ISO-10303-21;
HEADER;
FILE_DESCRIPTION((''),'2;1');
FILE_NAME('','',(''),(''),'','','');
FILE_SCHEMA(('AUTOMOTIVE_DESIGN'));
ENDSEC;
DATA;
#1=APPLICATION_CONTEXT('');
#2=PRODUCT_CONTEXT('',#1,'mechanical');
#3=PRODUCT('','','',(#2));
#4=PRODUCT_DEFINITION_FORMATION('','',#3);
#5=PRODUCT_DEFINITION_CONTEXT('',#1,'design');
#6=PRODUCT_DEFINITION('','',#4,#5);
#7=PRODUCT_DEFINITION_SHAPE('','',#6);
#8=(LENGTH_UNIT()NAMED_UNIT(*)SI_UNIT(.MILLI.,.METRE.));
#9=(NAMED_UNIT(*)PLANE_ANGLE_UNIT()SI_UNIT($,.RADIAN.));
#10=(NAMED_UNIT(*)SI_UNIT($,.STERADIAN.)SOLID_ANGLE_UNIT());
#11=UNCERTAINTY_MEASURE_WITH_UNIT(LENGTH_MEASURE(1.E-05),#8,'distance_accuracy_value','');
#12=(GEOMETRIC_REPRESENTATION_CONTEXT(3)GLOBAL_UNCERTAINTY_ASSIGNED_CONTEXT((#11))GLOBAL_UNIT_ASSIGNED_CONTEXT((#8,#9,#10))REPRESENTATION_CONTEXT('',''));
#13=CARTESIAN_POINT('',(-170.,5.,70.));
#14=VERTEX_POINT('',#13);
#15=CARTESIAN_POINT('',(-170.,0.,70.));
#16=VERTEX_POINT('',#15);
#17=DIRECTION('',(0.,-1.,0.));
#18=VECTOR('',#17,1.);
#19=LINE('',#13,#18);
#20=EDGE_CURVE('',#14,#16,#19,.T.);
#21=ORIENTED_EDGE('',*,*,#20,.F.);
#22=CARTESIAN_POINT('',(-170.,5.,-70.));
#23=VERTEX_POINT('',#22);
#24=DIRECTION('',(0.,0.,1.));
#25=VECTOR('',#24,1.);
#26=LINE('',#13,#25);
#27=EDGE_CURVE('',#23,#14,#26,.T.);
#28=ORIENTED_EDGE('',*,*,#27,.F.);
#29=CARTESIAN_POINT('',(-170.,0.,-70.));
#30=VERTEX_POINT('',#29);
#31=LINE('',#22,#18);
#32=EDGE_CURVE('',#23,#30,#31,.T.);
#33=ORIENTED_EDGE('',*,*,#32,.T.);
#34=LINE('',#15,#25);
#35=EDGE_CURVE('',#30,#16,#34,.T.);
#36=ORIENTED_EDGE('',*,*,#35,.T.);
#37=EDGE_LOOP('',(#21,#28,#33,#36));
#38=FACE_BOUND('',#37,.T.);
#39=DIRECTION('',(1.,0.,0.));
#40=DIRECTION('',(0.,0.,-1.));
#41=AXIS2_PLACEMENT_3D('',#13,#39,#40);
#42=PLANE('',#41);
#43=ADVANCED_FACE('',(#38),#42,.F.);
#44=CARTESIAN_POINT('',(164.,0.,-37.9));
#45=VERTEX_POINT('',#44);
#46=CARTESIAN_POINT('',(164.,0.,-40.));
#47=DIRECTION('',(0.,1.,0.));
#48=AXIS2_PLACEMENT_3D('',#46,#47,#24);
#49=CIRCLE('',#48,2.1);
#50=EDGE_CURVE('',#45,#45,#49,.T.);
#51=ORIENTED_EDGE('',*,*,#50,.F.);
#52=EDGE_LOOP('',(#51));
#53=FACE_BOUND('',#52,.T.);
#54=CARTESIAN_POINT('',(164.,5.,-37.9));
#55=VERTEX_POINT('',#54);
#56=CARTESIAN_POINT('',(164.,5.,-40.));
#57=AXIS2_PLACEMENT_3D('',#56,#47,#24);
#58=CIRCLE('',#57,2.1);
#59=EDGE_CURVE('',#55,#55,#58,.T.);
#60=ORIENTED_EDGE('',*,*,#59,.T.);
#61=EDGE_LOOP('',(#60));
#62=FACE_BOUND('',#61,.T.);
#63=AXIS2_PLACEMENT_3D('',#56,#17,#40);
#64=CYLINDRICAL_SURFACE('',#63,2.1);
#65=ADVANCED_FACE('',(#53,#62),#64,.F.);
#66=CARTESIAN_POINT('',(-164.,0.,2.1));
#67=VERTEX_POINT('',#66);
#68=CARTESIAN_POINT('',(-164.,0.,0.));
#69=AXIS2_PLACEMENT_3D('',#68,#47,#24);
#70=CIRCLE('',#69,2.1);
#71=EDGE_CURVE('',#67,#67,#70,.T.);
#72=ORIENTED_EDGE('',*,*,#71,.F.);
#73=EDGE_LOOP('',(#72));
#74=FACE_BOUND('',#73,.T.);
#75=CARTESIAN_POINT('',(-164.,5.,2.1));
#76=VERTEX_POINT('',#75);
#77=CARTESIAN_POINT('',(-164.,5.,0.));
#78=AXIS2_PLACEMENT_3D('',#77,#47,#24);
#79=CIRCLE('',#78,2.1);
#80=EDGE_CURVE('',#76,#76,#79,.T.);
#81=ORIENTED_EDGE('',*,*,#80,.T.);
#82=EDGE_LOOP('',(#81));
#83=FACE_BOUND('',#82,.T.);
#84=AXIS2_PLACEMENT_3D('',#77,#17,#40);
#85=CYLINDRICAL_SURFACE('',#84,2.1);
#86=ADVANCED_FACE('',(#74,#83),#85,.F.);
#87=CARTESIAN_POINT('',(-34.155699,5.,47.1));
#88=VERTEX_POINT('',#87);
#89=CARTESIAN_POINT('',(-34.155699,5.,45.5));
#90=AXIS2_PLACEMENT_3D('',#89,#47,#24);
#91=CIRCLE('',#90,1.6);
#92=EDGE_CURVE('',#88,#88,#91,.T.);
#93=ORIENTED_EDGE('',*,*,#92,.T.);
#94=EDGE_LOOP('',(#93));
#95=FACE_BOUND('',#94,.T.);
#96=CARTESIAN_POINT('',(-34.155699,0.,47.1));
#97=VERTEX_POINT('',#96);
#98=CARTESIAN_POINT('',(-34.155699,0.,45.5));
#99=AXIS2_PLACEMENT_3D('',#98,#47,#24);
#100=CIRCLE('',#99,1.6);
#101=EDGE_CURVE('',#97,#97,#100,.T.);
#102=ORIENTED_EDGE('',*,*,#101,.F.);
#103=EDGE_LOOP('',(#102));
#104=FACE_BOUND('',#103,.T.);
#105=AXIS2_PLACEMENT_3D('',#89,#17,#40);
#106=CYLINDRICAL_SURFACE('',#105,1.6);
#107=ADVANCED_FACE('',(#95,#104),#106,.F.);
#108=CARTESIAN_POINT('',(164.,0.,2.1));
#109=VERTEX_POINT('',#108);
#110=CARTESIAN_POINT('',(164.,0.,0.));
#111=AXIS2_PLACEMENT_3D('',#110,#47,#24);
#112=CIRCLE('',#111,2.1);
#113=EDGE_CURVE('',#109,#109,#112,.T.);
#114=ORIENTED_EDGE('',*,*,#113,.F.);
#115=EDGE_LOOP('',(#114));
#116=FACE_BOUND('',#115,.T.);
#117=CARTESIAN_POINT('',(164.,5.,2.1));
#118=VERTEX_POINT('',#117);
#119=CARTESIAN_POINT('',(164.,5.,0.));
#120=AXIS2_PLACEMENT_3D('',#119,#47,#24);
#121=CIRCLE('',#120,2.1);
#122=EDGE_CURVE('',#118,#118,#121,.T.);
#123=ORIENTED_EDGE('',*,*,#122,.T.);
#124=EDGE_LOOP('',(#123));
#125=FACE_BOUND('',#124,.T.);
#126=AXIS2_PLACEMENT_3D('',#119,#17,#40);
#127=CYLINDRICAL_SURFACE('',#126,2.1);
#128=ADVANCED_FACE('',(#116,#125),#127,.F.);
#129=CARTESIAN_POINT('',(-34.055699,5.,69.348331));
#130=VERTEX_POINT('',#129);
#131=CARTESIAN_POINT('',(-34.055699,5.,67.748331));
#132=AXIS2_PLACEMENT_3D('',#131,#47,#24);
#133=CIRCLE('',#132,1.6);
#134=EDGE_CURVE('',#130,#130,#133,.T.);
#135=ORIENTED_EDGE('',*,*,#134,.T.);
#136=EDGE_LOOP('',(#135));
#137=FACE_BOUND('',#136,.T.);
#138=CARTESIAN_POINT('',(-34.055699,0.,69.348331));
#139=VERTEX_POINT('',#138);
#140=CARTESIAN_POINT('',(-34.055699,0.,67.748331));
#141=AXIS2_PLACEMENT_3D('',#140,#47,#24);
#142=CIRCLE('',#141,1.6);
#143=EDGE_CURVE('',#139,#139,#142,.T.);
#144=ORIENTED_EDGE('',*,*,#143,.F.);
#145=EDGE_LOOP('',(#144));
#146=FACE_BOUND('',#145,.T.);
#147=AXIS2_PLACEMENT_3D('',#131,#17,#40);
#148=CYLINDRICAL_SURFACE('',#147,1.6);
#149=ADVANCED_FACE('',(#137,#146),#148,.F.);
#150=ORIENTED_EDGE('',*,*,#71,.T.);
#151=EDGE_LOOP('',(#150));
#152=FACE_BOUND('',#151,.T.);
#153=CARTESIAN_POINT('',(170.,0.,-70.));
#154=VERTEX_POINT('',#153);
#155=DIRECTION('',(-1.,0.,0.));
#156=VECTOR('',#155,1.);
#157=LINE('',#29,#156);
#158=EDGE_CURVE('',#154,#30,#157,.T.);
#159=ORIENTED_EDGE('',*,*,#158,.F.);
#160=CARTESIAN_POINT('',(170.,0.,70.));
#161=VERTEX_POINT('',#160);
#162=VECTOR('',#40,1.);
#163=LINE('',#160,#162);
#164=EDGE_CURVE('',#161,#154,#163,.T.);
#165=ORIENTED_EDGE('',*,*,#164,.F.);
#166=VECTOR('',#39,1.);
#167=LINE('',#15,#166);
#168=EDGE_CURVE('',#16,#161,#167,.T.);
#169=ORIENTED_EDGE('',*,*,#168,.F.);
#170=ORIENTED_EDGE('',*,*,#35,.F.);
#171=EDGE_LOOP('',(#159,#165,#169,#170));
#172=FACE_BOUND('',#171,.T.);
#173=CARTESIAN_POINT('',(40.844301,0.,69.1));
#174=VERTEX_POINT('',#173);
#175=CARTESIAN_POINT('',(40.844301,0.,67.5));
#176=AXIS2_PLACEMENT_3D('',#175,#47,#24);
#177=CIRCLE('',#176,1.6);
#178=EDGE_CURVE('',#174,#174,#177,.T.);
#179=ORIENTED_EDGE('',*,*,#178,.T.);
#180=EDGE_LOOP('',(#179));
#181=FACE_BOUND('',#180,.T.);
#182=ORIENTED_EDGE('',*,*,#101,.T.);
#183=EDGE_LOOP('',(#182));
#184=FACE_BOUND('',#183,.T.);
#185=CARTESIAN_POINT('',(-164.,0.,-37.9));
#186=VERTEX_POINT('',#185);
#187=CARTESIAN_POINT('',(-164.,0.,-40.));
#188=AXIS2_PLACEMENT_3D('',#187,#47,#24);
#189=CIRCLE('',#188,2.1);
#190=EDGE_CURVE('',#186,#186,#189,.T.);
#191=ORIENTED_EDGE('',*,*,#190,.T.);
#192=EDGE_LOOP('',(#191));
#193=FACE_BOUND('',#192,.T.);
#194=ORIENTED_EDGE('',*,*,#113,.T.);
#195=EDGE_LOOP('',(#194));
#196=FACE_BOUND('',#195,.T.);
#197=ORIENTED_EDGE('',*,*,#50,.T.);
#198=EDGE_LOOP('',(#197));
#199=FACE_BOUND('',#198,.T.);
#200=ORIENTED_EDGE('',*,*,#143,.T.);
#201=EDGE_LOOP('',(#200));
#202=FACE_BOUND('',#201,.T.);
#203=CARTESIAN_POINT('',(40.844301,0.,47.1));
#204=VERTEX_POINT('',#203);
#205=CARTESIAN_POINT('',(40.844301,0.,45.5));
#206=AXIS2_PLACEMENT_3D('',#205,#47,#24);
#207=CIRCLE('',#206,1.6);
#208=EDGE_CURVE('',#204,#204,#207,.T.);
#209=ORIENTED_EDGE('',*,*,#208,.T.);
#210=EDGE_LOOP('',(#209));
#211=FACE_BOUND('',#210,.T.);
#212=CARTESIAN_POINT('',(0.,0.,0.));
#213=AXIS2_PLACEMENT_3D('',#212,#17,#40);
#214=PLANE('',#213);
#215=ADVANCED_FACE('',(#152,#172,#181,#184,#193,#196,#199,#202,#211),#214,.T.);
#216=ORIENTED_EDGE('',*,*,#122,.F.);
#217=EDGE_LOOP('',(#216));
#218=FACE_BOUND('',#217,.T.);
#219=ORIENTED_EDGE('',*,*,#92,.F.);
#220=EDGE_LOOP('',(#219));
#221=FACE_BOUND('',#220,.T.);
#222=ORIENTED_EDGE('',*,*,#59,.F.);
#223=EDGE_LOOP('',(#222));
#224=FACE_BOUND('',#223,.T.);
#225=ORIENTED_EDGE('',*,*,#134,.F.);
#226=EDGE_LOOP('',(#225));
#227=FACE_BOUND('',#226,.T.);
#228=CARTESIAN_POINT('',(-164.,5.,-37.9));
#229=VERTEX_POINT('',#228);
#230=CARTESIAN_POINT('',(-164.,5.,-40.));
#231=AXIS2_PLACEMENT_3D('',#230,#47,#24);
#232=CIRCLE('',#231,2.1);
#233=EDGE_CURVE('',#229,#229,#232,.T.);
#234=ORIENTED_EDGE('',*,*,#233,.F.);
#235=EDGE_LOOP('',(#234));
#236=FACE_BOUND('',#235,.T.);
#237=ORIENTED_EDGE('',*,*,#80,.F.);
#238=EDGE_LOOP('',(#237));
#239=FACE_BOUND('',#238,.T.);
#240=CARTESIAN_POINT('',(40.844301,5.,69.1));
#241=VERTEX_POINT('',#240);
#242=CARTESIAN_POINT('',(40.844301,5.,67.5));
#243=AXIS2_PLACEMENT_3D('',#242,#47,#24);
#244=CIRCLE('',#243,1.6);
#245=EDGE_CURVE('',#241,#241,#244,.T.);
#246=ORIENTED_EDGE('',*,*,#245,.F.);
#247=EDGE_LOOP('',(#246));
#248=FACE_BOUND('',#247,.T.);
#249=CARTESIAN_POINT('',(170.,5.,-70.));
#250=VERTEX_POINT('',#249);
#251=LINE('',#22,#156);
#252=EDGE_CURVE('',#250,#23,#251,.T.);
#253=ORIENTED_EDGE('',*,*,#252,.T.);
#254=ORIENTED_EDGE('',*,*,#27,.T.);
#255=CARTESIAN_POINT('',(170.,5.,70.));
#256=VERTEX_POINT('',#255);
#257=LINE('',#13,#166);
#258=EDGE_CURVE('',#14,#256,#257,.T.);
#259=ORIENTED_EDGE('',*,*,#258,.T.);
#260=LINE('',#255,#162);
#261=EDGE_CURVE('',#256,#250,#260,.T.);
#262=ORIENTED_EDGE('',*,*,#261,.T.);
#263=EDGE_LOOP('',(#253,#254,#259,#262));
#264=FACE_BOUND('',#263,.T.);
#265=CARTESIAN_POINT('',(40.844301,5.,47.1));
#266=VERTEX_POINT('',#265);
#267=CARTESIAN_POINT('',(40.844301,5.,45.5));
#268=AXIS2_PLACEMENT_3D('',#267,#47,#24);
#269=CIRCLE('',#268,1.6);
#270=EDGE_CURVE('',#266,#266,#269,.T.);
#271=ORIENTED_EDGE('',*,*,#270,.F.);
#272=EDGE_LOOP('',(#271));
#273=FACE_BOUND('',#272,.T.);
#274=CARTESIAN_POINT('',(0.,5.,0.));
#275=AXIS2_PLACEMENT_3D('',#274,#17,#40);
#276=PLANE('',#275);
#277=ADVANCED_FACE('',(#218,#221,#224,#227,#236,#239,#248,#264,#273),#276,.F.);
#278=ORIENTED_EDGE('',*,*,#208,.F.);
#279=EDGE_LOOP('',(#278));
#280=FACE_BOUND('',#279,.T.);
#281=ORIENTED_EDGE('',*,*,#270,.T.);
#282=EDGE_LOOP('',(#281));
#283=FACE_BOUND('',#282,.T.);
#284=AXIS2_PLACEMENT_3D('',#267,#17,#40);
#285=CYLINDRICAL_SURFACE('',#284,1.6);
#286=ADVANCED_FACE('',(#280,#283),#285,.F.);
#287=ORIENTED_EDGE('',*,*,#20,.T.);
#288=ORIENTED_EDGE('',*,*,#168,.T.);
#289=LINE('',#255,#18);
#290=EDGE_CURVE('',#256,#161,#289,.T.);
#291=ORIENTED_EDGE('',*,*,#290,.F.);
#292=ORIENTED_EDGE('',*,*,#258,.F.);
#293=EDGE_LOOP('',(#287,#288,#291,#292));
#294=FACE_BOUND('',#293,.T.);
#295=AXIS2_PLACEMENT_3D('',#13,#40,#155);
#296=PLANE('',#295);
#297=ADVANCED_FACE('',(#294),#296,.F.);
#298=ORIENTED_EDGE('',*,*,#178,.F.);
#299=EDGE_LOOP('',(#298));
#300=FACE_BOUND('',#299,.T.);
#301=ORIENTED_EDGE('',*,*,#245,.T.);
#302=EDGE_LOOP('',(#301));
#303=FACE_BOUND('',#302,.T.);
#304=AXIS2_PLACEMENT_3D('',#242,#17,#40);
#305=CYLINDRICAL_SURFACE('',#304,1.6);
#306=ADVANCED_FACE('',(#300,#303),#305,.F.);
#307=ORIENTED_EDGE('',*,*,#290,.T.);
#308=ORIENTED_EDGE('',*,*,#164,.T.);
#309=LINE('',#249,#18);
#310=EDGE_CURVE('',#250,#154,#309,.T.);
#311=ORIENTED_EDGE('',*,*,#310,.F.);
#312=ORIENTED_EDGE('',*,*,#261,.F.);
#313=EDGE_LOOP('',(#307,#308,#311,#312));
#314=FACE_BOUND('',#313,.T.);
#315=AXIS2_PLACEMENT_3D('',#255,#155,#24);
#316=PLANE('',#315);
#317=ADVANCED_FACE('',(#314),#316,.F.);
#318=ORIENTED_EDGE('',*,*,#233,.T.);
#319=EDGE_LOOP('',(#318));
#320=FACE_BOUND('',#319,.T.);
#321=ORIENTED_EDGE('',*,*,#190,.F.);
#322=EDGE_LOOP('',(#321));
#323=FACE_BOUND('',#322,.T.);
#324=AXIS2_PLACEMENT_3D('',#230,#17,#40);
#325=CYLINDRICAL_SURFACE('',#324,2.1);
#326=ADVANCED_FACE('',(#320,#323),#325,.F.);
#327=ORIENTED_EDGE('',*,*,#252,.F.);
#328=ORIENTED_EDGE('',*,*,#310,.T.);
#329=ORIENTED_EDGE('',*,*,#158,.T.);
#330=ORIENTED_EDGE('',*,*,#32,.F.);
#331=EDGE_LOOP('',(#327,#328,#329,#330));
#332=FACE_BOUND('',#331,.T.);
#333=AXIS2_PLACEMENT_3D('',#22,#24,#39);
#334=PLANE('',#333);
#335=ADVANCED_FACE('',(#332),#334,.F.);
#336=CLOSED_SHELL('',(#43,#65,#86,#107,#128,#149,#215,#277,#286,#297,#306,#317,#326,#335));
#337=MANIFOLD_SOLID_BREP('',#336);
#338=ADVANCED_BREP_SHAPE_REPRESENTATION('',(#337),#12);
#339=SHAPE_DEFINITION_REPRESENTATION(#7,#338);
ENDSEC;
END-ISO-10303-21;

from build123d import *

# Parameters (mm, degrees)
SKETCH_1_W      = 340
SKETCH_1_H      = 140
SKETCH_1_R      = 2.1
SKETCH_1_R_2    = 1.6
EXTRUDE_1_DEPTH = 5


with BuildPart() as part:
    # 草图1 → 凸台-拉伸1 (new body)
    with BuildSketch(Plane(origin=(0, 0, 0), x_dir=(1, 0, 0), z_dir=(0, 1, 0))):
        Rectangle(SKETCH_1_W, SKETCH_1_H)
        with Locations(Location((164, 40, 0), (0, 0, 270))):
            Circle(SKETCH_1_R, mode=Mode.SUBTRACT)
        with Locations(Location((164, 0, 0), (0, 0, 270))):
            Circle(SKETCH_1_R, mode=Mode.SUBTRACT)
        with Locations(Location((-164, 40, 0), (0, 0, 270))):
            Circle(SKETCH_1_R, mode=Mode.SUBTRACT)
        with Locations(Location((-164, 0, 0), (0, 0, 270))):
            Circle(SKETCH_1_R, mode=Mode.SUBTRACT)
        with Locations(Location((-34.155699002, -45.5, 0), (0, 0, 270))):
            Circle(SKETCH_1_R_2, mode=Mode.SUBTRACT)
        with Locations(Location((-34.055699002, -67.748331477, 0), (0, 0, 270))):
            Circle(SKETCH_1_R_2, mode=Mode.SUBTRACT)
        with Locations(Location((40.844300998, -67.5, 0), (0, 0, 270))):
            Circle(SKETCH_1_R_2, mode=Mode.SUBTRACT)
        with Locations(Location((40.844300998, -45.5, 0), (0, 0, 270))):
            Circle(SKETCH_1_R_2, mode=Mode.SUBTRACT)
    extrude(amount=EXTRUDE_1_DEPTH)


solid = part.part
